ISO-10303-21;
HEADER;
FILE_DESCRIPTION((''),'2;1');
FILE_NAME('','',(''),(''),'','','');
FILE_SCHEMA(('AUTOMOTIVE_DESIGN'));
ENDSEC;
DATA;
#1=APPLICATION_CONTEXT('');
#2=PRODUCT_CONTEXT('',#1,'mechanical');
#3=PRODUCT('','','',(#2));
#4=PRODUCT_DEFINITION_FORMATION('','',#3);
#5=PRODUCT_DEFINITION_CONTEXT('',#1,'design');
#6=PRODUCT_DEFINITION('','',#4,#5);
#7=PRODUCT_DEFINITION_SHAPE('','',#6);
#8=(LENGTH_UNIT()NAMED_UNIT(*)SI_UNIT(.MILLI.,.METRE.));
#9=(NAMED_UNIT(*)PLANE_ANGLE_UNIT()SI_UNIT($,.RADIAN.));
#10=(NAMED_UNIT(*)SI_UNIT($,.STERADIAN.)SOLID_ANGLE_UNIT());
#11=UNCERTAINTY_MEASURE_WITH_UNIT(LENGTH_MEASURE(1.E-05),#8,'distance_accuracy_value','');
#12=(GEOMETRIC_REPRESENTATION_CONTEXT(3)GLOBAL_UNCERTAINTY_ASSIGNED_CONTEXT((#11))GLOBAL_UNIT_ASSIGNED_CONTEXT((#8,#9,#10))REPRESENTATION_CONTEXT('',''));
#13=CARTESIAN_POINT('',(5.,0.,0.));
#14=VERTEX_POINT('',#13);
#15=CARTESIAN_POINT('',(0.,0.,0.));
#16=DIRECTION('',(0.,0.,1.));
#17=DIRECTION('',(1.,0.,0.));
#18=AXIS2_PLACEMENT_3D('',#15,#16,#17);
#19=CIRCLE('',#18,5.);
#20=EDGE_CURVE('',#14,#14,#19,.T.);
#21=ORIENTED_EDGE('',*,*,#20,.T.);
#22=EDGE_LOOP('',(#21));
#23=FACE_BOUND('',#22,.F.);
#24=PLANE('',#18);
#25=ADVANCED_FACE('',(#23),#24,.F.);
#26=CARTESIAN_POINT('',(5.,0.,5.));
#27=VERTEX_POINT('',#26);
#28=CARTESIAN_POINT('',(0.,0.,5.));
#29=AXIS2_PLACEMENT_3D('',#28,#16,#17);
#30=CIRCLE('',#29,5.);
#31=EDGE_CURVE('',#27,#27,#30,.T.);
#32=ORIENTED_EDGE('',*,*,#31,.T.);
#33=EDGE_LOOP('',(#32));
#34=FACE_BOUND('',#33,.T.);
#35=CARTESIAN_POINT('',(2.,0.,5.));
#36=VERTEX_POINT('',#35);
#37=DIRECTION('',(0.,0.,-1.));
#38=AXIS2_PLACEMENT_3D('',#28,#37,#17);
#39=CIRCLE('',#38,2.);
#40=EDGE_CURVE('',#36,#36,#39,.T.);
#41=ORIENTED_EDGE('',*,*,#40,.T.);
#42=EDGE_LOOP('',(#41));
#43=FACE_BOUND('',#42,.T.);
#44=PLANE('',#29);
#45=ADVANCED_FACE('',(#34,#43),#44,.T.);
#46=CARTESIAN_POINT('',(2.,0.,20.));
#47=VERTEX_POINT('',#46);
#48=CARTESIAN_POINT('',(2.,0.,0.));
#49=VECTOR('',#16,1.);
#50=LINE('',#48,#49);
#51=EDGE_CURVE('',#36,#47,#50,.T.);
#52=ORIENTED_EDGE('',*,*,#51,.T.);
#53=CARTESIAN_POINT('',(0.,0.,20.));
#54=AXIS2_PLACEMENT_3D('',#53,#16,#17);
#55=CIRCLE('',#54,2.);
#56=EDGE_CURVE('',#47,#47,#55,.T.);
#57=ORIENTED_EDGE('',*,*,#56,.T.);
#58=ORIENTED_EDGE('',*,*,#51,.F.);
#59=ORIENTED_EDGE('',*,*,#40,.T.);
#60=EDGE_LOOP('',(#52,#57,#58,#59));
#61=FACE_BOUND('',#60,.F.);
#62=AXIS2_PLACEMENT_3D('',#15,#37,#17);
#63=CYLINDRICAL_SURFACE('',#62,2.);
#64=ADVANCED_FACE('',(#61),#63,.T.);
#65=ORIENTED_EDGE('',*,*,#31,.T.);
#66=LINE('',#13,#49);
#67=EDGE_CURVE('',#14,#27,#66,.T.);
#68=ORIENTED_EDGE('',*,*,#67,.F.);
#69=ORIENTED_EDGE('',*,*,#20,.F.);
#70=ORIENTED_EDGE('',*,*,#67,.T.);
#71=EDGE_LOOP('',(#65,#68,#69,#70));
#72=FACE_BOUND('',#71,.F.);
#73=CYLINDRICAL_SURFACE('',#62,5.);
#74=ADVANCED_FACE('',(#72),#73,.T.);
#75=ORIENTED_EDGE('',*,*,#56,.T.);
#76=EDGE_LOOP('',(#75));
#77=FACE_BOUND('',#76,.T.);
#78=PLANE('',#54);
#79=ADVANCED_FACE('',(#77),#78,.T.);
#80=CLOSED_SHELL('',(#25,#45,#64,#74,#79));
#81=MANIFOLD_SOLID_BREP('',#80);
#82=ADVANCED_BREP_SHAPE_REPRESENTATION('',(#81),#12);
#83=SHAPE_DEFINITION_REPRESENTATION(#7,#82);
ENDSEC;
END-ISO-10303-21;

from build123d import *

# Parameters (mm, degrees)
CYLINDER005_R     = 2
CYLINDER005_DEPTH = 20
CYLINDER004_R     = 5
CYLINDER004_DEPTH = 5


with BuildPart() as cylinder005:
    # Cylinder005 → Cylinder005 (new body)
    with BuildSketch(Plane.XY):
        Circle(CYLINDER005_R)
    extrude(amount=CYLINDER005_DEPTH)


with BuildPart() as m4:
    # Cylinder004 → Cylinder004 (new body)
    with BuildSketch(Plane.XY):
        Circle(CYLINDER004_R)
    extrude(amount=CYLINDER004_DEPTH)

    # Fusion: union Cylinder005
    add(cylinder005.part)


solid = m4.part
